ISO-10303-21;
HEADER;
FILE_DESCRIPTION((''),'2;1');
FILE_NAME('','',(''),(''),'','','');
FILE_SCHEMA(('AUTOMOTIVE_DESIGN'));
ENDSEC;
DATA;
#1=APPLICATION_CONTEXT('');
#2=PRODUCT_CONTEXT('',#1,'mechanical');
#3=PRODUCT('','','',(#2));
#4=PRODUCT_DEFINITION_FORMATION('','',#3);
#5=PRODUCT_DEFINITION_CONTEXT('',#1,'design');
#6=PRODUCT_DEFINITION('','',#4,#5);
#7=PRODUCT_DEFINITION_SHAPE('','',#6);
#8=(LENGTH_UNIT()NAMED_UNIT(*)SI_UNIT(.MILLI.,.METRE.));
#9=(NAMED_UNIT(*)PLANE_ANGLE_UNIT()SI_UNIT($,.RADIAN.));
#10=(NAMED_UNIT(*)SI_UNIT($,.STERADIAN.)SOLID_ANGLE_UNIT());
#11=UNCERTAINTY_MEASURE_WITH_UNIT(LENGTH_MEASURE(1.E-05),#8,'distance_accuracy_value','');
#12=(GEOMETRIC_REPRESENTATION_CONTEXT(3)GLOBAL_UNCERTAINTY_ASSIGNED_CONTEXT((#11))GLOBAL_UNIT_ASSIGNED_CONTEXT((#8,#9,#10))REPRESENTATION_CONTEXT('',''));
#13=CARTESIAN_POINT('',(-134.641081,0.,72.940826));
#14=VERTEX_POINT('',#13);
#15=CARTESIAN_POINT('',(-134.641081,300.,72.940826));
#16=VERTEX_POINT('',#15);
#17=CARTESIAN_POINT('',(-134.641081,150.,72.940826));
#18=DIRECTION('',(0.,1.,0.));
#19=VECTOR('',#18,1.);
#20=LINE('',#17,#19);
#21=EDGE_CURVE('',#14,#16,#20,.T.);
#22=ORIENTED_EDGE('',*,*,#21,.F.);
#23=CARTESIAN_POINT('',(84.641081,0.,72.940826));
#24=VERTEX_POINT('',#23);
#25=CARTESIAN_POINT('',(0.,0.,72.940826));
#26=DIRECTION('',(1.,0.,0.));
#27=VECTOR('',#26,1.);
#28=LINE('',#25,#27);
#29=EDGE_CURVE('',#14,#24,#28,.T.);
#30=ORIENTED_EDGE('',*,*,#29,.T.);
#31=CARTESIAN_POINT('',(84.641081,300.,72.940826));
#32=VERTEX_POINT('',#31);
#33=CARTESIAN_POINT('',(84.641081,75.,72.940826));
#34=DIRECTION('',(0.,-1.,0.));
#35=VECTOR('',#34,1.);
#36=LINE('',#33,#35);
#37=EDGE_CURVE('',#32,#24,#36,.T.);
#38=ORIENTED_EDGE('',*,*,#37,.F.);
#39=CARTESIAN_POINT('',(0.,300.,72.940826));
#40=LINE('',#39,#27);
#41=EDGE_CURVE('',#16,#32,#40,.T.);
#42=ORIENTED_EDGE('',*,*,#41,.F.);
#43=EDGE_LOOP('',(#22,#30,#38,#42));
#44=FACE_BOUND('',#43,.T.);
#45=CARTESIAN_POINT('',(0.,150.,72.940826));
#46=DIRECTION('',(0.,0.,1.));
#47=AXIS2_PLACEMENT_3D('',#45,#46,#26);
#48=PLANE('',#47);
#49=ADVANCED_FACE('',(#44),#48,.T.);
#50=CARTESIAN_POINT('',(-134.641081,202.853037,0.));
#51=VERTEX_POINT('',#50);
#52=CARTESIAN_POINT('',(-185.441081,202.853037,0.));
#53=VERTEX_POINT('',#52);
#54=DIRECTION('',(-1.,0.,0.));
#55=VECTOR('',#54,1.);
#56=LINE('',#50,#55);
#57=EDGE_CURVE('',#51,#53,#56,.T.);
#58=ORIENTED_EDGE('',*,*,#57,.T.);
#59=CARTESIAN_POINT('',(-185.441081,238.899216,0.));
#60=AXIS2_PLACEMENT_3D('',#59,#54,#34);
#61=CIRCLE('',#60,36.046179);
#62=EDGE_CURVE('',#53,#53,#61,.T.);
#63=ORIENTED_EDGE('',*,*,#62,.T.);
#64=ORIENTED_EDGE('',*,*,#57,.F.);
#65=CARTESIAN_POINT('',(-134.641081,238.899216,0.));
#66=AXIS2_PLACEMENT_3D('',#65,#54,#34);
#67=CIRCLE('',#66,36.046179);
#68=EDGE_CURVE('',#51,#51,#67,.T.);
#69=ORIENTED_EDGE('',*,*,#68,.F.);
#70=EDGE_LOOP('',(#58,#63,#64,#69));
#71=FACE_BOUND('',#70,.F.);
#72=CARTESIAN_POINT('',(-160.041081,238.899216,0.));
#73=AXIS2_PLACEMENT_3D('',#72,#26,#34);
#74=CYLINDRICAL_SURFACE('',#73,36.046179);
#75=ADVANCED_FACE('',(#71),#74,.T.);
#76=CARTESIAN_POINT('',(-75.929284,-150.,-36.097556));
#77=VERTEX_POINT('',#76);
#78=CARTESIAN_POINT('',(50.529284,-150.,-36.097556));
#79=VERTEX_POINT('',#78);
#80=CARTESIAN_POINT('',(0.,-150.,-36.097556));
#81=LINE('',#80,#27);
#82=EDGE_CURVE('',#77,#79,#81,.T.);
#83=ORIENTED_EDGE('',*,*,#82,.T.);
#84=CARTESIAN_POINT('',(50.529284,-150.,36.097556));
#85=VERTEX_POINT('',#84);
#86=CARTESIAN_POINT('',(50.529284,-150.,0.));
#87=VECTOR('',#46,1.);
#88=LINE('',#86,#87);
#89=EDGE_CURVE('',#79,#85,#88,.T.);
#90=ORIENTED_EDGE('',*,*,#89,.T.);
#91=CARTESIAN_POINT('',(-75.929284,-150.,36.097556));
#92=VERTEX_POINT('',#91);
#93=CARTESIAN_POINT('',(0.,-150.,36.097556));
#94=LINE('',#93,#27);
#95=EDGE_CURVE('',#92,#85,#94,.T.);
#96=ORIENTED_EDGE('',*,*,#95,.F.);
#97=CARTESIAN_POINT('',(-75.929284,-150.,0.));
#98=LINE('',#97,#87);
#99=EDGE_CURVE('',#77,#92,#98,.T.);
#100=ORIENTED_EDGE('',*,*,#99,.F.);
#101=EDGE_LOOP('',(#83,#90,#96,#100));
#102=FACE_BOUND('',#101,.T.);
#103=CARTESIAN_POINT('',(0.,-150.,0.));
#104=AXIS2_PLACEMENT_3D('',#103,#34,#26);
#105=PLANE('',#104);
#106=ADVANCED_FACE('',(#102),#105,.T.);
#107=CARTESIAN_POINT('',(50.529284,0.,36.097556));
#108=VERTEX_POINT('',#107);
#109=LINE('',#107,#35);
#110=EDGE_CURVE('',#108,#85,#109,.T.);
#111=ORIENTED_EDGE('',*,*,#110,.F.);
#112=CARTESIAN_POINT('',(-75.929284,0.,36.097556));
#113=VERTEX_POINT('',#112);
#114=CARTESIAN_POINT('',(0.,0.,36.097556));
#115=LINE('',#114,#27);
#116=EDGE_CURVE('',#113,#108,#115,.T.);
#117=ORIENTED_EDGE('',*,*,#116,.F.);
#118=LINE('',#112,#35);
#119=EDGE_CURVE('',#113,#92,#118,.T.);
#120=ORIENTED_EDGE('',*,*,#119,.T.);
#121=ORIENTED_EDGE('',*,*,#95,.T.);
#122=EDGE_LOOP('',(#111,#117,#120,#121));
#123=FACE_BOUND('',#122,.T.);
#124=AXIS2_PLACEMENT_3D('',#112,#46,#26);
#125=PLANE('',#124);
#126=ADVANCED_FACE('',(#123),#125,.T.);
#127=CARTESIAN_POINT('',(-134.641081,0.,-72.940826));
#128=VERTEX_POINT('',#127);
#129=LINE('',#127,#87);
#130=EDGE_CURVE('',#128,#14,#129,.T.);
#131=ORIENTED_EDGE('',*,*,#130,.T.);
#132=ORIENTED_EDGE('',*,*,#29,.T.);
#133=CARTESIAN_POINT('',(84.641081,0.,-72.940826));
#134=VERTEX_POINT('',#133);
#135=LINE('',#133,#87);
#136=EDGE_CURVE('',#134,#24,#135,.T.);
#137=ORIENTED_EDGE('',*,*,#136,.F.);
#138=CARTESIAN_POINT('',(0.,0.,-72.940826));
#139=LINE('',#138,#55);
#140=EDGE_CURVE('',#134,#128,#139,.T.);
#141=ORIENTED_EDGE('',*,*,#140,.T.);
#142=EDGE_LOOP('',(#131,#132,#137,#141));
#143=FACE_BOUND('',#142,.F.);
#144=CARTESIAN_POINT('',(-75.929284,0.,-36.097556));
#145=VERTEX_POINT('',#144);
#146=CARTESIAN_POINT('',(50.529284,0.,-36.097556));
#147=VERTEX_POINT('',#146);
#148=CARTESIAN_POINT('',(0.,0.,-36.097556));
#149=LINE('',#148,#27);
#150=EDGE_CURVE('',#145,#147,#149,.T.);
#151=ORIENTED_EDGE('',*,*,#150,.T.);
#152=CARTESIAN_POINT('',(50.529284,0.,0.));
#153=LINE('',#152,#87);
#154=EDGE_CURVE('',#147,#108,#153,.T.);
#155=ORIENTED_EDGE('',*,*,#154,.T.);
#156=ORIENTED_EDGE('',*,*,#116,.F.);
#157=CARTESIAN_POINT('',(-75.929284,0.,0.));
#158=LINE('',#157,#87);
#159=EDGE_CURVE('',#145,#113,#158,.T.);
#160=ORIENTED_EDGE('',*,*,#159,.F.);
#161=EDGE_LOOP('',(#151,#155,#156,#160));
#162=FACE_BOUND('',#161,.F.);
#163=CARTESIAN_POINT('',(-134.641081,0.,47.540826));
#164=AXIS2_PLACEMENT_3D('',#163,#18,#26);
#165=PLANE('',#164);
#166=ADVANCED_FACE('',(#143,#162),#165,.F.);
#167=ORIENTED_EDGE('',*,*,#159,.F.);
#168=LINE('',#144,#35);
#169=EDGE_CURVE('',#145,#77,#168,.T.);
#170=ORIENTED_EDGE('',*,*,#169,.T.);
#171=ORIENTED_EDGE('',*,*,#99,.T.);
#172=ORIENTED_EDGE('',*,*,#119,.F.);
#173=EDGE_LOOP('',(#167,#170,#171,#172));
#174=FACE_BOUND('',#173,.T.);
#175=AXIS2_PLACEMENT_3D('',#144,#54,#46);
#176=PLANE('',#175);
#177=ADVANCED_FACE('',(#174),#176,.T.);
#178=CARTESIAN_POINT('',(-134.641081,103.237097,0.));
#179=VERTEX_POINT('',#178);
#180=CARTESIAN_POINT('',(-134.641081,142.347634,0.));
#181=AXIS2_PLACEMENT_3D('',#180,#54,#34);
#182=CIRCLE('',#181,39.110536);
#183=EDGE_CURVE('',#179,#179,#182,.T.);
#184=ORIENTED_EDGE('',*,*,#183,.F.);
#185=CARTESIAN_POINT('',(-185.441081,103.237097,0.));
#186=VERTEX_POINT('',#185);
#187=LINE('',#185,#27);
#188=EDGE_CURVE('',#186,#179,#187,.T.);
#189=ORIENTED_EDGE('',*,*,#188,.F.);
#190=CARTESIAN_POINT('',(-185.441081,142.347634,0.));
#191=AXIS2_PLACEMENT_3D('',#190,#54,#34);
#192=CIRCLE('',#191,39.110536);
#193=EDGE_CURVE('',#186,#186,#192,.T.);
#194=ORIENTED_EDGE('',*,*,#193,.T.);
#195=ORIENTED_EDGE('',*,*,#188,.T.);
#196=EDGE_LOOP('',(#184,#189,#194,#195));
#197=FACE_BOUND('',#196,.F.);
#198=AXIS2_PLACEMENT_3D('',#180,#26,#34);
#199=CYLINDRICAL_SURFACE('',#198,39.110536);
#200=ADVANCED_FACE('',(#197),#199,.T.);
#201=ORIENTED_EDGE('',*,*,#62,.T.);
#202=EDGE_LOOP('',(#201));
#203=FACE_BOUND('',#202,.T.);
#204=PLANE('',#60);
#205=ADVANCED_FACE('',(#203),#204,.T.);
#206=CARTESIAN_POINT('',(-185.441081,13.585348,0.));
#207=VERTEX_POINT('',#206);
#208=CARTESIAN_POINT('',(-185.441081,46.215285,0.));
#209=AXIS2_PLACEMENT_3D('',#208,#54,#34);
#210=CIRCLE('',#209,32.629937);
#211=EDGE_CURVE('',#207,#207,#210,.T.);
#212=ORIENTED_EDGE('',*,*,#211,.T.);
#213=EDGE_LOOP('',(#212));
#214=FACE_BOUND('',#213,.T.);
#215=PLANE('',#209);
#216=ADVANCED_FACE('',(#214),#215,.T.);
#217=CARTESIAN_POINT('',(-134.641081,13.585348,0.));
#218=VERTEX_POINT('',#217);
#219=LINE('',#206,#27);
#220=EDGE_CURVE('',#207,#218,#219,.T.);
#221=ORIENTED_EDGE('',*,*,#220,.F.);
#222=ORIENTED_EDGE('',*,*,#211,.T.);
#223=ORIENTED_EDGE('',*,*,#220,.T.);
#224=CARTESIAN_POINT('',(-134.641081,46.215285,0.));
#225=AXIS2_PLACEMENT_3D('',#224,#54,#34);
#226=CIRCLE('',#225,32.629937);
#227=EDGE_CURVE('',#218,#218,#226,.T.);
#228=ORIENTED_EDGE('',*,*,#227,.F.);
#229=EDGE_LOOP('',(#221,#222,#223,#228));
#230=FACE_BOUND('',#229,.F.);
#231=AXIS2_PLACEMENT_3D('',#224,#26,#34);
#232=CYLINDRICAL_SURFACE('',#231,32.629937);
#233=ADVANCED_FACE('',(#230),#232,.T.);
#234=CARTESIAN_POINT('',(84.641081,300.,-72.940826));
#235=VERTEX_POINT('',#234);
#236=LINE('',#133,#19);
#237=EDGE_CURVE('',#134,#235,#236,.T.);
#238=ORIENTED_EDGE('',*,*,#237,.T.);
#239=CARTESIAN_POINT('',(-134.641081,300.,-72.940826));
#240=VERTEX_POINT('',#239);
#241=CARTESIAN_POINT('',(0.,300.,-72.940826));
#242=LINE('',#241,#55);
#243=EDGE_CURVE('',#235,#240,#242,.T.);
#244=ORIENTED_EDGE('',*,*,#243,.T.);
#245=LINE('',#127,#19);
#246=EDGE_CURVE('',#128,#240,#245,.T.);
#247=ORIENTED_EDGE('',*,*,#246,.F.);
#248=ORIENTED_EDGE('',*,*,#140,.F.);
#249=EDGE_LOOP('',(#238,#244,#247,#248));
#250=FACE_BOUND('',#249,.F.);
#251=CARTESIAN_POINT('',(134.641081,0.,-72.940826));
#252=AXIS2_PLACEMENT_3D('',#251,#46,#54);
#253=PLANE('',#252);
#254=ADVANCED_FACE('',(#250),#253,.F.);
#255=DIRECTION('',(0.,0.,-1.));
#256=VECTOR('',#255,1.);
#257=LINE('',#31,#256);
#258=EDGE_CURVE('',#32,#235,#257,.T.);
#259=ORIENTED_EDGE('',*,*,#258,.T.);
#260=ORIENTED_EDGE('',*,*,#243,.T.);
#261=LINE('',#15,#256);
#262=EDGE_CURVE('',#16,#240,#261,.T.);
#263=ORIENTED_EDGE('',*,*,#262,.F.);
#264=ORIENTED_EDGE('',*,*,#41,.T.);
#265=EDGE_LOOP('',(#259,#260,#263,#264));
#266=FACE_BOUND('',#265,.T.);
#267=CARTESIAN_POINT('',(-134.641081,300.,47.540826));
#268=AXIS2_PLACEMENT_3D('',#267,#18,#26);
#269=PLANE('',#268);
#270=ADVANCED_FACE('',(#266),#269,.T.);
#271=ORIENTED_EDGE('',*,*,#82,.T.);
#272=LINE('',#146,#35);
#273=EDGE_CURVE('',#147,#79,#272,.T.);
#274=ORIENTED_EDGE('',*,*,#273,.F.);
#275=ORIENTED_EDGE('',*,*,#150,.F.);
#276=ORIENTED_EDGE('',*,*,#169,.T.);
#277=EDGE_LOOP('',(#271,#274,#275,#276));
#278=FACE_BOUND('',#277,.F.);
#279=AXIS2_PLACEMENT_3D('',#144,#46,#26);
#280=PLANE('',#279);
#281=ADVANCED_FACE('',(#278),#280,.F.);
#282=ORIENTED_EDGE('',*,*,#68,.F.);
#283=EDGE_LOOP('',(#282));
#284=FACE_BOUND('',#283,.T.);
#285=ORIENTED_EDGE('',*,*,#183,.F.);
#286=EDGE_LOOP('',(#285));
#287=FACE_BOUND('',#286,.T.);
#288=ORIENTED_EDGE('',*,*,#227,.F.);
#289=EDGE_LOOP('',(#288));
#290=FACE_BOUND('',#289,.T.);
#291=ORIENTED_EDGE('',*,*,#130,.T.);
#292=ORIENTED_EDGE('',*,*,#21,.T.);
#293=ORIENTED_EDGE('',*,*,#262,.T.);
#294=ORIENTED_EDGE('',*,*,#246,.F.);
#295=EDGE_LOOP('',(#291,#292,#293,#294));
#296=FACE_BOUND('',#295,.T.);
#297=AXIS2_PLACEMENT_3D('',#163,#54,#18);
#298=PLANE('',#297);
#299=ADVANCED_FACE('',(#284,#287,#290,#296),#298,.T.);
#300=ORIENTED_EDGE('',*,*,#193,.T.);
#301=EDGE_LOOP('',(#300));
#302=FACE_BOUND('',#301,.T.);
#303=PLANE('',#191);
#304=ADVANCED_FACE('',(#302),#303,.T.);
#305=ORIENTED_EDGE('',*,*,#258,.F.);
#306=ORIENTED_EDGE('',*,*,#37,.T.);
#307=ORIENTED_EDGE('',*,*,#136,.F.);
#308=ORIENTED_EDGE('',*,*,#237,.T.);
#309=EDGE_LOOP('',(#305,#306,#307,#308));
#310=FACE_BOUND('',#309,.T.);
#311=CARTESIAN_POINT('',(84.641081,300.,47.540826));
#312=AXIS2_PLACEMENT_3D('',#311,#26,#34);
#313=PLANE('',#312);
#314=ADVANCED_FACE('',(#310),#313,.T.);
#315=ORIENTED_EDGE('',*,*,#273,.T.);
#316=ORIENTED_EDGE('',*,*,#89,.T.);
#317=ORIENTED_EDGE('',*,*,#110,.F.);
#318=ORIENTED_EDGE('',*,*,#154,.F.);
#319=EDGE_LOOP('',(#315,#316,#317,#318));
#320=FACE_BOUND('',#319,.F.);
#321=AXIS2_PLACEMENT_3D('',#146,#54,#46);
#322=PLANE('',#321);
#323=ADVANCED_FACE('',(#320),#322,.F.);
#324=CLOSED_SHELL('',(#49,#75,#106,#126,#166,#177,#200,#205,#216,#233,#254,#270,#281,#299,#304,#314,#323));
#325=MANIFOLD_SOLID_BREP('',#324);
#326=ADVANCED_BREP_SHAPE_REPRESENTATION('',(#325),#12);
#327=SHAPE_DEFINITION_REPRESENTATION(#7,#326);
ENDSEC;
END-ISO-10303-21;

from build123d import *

# Parameters (mm, degrees)
F0_W      = 151.8585681915
F0_H      = 72.1951127052
F1_DEPTH  = 150
F2_W      = 269.2821621895
F2_H      = 145.881652832
F3_DEPTH  = 300
F4_R      = 39.1105364466
F4_R_2    = 36.046178771
F4_R_3    = 32.629936561
F6_DEPTH  = 25.4
F7_DEPTH  = 50
F8_DEPTH  = 25.4
F9_DEPTH  = 25.4
F5_W      = 269.2821621895
F5_H      = 300
F10_DEPTH = 25.4
F11_DEPTH = 25.4


with BuildPart() as f1:
    # F0 (on Front) → F1 (new body)
    with BuildSketch(Plane.XZ):
        Rectangle(F0_W, F0_H)
    extrude(amount=F1_DEPTH)

    # F2 (on face) → F3 (join)
    with BuildSketch(Plane(origin=(0, 0, 0), x_dir=(-1, 0, 0), z_dir=(0, 1, 0))):
        Rectangle(F2_W, F2_H)
    extrude(amount=F3_DEPTH)

    # F4 (on face) → F6 (join)
    with BuildSketch(Plane(origin=(-134.6410810947, 0, 0), x_dir=(0, -1, 0), z_dir=(-1, 0, 0))):
        with Locations((-142.3476338387, 0)):
            Circle(F4_R)
        with Locations((-238.8992160559, 0)):
            Circle(F4_R_2)
        with Locations((-46.2152846158, 0)):
            Circle(F4_R_3)
    extrude(amount=F6_DEPTH)

    # F7 (cut): a face of the model
    f7_faces = [f1.faces().sort_by_distance(p)[0] for p in [
        (134.6410810947, 150, 0),
    ]]
    extrude(f7_faces, amount=-F7_DEPTH, mode=Mode.SUBTRACT)

    # F8 (cut): a face of the model
    f8_faces = [f1.faces().sort_by_distance(p)[0] for p in [
        (75.9292840958, -75, 0),
    ]]
    extrude(f8_faces, amount=-F8_DEPTH, mode=Mode.SUBTRACT)

    # F9 (add): faces of the model
    f9_faces = [f1.faces().sort_by_distance(p)[0] for p in [
        (-160.0410810947, 238.8992160559, 0),
        (-160.0410810947, 142.3476338387, 0),
        (-160.0410810947, 46.2152846158, 0),
    ]]
    extrude(f9_faces, amount=F9_DEPTH)

    # F5 (on face) → F10 (cut)
    with BuildSketch(Plane.XY.offset(72.940826416)):
        with Locations((0, 150)):
            Rectangle(F5_W, F5_H)
    extrude(amount=-F10_DEPTH, mode=Mode.SUBTRACT)

    # F11 (add): a face of the model
    f11_faces = [f1.faces().sort_by_distance(p)[0] for p in [
        (-25, 150, 47.540826416),
    ]]
    extrude(f11_faces, amount=F11_DEPTH)


solid = f1.part
